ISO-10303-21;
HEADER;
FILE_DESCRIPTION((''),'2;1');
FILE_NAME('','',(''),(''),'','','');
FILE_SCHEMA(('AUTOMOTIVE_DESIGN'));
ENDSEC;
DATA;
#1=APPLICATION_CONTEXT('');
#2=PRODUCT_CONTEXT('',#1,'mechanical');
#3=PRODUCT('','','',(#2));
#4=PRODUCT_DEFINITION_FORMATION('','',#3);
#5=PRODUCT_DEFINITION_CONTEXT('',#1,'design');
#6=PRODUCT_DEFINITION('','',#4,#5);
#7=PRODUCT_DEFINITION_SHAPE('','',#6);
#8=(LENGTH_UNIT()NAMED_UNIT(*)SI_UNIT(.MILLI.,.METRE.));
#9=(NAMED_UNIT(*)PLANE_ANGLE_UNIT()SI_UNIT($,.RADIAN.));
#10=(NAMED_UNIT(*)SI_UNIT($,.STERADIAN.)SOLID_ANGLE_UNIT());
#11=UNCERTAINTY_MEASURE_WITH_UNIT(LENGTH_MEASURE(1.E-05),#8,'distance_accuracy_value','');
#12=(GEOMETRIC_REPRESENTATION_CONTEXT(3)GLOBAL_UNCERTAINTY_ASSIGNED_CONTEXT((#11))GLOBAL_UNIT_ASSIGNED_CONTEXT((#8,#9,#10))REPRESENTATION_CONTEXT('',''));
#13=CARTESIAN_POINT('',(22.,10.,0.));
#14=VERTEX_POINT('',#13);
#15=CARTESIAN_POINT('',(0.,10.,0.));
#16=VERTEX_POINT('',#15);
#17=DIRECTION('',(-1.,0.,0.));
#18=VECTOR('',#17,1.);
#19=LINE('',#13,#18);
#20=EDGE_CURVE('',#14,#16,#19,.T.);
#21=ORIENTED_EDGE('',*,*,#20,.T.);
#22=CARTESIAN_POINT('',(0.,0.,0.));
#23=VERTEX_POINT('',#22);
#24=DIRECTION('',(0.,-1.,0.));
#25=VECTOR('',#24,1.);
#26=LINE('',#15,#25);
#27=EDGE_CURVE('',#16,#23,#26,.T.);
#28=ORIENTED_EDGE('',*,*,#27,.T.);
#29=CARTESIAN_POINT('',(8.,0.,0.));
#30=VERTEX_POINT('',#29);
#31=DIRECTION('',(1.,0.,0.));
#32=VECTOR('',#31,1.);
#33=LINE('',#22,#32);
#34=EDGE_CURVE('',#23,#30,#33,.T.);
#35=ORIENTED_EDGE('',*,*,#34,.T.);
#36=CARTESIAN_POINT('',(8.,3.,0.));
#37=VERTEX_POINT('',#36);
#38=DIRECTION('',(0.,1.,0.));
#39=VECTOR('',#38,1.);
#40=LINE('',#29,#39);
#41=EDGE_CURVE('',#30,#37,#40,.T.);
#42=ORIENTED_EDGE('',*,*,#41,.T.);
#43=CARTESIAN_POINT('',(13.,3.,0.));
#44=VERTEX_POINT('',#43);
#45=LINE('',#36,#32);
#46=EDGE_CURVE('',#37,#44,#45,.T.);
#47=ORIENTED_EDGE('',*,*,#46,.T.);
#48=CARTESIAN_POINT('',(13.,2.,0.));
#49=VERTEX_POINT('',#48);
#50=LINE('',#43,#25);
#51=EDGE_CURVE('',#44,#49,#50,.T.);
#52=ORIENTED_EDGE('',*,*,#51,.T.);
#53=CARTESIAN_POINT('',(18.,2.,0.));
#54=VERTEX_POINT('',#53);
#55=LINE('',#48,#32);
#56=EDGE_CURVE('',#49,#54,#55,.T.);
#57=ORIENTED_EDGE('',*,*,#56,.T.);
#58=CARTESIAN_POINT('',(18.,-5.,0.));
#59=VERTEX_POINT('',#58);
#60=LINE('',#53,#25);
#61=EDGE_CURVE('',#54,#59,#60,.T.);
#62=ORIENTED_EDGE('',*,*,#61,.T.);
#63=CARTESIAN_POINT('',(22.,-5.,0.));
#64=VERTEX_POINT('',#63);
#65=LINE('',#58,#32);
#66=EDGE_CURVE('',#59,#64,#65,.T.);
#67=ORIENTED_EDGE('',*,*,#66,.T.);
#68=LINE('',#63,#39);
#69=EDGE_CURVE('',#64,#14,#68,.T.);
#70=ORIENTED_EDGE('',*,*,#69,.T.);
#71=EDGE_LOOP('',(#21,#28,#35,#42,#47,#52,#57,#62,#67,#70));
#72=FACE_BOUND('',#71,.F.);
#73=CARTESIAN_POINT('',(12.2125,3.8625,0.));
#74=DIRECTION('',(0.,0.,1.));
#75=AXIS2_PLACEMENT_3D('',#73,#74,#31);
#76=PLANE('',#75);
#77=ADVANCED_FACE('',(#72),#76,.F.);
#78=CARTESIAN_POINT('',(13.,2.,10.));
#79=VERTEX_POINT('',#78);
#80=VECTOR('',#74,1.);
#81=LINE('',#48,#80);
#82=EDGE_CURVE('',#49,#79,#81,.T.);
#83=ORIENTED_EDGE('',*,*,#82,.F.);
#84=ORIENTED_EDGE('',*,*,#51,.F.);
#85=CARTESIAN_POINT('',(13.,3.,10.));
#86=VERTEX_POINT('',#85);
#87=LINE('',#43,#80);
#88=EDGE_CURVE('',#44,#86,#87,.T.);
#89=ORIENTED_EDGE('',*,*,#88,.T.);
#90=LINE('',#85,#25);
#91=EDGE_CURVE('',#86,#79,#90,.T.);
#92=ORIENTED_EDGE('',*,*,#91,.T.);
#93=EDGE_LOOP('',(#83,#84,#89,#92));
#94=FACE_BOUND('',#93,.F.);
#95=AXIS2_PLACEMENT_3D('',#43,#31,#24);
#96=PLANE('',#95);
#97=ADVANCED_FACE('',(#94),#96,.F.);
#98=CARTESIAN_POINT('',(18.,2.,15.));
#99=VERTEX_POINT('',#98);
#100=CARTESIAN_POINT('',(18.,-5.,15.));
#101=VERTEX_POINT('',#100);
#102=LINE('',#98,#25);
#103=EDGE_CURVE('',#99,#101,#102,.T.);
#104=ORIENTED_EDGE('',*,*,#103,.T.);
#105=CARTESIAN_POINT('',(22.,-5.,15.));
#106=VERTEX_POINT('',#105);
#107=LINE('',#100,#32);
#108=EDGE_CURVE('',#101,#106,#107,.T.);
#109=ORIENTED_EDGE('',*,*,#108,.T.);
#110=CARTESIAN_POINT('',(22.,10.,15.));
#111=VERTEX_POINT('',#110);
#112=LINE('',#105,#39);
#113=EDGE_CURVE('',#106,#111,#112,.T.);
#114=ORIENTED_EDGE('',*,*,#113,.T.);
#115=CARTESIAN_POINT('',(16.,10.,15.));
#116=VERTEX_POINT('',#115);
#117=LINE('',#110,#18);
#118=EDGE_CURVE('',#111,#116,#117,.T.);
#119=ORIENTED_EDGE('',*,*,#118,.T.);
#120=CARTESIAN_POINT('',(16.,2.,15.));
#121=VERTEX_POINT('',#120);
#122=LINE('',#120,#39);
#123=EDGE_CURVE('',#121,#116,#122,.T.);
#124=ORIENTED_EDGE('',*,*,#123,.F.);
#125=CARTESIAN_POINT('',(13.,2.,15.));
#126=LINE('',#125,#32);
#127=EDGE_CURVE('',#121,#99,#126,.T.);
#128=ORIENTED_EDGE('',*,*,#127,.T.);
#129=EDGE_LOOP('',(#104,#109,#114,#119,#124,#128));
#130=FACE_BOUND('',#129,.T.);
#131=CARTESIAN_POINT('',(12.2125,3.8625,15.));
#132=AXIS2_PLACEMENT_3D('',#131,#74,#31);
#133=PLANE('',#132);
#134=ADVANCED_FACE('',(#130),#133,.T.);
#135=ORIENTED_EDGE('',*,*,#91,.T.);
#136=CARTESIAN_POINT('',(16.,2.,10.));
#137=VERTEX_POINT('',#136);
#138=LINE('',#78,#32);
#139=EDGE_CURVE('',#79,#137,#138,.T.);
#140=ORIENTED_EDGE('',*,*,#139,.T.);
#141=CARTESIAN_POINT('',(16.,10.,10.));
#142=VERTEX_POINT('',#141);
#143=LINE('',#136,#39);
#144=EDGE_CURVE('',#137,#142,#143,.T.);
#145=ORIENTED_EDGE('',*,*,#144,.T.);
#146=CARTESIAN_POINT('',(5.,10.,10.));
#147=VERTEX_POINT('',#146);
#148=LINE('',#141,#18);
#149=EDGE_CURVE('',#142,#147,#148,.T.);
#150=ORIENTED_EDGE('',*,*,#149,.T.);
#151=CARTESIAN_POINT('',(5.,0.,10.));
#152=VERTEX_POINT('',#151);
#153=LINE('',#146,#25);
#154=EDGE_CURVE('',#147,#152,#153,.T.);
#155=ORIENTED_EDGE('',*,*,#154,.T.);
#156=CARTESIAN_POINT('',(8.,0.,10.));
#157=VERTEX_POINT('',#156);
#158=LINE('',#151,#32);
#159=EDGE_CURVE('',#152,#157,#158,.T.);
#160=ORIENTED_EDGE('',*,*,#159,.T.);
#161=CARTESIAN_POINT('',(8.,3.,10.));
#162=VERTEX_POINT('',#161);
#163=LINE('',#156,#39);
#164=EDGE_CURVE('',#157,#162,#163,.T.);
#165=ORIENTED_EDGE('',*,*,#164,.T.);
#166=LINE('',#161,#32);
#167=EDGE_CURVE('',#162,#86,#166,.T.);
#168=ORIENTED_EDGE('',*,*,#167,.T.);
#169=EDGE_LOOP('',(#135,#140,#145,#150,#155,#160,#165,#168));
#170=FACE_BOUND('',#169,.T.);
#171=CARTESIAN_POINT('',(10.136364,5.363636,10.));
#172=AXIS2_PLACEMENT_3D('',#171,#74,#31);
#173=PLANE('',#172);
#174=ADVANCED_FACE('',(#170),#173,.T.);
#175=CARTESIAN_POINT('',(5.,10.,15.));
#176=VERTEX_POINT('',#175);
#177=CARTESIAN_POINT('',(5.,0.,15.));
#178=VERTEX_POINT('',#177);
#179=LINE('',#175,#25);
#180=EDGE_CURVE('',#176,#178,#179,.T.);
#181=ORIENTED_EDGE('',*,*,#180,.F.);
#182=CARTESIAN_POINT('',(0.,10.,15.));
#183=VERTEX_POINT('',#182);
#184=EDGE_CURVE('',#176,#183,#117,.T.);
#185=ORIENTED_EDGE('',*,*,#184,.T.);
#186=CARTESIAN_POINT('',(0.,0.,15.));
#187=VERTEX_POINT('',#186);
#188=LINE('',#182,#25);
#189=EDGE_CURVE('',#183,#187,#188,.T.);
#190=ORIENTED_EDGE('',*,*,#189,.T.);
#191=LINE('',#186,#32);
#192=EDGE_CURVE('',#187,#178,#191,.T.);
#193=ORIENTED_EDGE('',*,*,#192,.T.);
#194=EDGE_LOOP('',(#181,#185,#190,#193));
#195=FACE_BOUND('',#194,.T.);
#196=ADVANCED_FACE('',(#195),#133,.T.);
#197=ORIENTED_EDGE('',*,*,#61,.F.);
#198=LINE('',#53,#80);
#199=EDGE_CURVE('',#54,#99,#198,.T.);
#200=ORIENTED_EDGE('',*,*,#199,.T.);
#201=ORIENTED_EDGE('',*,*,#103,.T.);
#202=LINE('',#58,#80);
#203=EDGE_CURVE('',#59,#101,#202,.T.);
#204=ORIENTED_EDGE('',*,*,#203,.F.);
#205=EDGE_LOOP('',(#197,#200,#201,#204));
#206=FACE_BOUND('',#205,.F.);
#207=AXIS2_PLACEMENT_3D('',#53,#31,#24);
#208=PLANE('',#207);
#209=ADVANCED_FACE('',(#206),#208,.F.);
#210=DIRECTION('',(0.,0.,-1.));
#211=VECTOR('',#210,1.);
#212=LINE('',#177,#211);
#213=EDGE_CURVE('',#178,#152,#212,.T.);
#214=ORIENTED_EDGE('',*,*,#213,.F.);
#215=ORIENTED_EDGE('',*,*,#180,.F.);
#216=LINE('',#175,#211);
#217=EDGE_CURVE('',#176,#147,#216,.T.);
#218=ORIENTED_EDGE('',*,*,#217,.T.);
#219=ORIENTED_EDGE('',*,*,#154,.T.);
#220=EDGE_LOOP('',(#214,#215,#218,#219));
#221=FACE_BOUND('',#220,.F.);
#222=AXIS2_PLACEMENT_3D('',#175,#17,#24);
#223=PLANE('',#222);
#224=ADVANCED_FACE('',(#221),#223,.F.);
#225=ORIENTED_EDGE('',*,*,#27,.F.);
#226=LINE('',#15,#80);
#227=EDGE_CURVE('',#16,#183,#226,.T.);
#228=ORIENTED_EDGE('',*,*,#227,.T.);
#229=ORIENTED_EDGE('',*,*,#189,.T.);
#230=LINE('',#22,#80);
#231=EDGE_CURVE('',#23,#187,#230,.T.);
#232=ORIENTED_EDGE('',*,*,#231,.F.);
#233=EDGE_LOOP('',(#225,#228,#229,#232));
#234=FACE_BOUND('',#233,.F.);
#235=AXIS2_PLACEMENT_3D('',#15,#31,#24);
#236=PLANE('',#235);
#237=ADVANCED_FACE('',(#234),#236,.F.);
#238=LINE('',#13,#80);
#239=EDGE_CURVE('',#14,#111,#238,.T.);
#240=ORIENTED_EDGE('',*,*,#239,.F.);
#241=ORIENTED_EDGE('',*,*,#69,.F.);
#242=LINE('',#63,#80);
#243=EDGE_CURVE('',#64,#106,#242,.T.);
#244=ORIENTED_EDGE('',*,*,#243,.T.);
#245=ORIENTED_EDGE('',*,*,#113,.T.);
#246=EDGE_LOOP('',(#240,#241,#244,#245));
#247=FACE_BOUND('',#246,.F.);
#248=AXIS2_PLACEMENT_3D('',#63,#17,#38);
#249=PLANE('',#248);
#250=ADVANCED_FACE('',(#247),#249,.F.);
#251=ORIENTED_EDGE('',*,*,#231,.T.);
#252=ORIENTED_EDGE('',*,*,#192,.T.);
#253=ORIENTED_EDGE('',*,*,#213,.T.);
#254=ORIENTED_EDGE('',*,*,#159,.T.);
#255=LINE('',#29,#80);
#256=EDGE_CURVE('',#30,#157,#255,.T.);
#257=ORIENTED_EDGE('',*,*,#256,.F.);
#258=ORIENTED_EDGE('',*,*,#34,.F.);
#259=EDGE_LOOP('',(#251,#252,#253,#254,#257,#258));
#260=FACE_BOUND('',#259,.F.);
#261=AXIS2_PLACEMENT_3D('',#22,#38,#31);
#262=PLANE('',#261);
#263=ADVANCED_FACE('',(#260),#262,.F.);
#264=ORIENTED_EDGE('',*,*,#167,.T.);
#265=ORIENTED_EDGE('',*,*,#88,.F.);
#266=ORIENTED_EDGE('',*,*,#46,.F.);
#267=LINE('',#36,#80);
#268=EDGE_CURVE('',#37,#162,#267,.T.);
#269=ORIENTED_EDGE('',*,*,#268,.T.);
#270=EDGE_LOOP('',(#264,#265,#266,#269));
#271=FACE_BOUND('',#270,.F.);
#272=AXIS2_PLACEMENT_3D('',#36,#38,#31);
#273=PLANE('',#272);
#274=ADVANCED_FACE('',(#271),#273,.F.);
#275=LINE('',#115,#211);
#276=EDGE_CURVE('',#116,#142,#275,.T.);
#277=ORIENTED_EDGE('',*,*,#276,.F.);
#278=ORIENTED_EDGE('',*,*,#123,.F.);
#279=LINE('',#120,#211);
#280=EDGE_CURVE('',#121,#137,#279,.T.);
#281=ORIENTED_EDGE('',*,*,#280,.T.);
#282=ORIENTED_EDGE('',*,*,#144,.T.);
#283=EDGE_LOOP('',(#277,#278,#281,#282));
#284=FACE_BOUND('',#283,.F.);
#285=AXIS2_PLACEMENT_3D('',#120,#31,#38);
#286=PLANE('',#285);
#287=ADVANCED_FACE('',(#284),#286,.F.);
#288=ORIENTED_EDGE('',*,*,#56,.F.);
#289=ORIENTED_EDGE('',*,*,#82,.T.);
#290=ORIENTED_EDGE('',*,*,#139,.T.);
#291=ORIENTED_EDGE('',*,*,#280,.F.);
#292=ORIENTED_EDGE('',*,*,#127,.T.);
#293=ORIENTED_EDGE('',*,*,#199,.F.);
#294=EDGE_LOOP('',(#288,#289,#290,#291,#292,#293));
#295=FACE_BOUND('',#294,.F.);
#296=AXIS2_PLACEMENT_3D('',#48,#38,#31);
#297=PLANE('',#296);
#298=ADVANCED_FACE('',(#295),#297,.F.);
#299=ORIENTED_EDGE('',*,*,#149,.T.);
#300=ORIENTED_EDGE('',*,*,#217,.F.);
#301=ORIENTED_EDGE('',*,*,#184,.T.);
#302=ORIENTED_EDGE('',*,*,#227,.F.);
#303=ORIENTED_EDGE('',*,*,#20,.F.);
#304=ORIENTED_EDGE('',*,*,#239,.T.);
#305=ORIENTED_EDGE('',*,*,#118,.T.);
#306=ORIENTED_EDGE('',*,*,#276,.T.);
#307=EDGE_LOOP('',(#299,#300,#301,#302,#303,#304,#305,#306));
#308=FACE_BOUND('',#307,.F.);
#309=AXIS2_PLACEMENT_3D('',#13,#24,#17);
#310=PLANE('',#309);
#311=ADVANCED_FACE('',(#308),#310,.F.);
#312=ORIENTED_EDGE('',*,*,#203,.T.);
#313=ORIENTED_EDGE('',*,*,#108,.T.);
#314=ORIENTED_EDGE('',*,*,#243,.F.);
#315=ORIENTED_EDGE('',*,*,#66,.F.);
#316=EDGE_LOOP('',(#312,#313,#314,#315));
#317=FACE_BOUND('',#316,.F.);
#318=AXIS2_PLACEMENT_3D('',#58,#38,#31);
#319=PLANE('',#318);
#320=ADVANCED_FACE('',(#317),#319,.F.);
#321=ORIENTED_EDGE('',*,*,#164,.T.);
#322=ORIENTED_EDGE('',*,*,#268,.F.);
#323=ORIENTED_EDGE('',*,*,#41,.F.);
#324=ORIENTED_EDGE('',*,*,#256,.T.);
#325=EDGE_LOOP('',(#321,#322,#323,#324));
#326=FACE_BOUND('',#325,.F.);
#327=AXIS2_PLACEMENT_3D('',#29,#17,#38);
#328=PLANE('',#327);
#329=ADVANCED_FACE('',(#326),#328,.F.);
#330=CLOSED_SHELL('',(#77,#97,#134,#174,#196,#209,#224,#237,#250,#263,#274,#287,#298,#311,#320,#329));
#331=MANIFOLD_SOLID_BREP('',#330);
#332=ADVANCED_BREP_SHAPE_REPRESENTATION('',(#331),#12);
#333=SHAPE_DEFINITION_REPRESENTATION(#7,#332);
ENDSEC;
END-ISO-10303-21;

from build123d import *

# Parameters (mm, degrees)
F1_DEPTH = 15
F3_DEPTH = 5


with BuildPart() as f1:
    # F0 (on Top) → F1 (new body)
    with BuildSketch(Plane.XY):
        Polygon((0, 10), (0, 0), (8, 0), (8, 3), (13, 3), (13, 2), (18, 2), (18, 0), (18, -5), (22, -5), (22, 10), align=None)
    extrude(amount=F1_DEPTH)

    # F2 (on face) → F3 (cut)
    with BuildSketch(Plane.XY.offset(15)):
        Polygon((16, 2), (16, 10), (5, 10), (5, 0), (8, 0), (8, 3), (13, 3), (13, 2), align=None)
    extrude(amount=-F3_DEPTH, mode=Mode.SUBTRACT)


solid = f1.part
